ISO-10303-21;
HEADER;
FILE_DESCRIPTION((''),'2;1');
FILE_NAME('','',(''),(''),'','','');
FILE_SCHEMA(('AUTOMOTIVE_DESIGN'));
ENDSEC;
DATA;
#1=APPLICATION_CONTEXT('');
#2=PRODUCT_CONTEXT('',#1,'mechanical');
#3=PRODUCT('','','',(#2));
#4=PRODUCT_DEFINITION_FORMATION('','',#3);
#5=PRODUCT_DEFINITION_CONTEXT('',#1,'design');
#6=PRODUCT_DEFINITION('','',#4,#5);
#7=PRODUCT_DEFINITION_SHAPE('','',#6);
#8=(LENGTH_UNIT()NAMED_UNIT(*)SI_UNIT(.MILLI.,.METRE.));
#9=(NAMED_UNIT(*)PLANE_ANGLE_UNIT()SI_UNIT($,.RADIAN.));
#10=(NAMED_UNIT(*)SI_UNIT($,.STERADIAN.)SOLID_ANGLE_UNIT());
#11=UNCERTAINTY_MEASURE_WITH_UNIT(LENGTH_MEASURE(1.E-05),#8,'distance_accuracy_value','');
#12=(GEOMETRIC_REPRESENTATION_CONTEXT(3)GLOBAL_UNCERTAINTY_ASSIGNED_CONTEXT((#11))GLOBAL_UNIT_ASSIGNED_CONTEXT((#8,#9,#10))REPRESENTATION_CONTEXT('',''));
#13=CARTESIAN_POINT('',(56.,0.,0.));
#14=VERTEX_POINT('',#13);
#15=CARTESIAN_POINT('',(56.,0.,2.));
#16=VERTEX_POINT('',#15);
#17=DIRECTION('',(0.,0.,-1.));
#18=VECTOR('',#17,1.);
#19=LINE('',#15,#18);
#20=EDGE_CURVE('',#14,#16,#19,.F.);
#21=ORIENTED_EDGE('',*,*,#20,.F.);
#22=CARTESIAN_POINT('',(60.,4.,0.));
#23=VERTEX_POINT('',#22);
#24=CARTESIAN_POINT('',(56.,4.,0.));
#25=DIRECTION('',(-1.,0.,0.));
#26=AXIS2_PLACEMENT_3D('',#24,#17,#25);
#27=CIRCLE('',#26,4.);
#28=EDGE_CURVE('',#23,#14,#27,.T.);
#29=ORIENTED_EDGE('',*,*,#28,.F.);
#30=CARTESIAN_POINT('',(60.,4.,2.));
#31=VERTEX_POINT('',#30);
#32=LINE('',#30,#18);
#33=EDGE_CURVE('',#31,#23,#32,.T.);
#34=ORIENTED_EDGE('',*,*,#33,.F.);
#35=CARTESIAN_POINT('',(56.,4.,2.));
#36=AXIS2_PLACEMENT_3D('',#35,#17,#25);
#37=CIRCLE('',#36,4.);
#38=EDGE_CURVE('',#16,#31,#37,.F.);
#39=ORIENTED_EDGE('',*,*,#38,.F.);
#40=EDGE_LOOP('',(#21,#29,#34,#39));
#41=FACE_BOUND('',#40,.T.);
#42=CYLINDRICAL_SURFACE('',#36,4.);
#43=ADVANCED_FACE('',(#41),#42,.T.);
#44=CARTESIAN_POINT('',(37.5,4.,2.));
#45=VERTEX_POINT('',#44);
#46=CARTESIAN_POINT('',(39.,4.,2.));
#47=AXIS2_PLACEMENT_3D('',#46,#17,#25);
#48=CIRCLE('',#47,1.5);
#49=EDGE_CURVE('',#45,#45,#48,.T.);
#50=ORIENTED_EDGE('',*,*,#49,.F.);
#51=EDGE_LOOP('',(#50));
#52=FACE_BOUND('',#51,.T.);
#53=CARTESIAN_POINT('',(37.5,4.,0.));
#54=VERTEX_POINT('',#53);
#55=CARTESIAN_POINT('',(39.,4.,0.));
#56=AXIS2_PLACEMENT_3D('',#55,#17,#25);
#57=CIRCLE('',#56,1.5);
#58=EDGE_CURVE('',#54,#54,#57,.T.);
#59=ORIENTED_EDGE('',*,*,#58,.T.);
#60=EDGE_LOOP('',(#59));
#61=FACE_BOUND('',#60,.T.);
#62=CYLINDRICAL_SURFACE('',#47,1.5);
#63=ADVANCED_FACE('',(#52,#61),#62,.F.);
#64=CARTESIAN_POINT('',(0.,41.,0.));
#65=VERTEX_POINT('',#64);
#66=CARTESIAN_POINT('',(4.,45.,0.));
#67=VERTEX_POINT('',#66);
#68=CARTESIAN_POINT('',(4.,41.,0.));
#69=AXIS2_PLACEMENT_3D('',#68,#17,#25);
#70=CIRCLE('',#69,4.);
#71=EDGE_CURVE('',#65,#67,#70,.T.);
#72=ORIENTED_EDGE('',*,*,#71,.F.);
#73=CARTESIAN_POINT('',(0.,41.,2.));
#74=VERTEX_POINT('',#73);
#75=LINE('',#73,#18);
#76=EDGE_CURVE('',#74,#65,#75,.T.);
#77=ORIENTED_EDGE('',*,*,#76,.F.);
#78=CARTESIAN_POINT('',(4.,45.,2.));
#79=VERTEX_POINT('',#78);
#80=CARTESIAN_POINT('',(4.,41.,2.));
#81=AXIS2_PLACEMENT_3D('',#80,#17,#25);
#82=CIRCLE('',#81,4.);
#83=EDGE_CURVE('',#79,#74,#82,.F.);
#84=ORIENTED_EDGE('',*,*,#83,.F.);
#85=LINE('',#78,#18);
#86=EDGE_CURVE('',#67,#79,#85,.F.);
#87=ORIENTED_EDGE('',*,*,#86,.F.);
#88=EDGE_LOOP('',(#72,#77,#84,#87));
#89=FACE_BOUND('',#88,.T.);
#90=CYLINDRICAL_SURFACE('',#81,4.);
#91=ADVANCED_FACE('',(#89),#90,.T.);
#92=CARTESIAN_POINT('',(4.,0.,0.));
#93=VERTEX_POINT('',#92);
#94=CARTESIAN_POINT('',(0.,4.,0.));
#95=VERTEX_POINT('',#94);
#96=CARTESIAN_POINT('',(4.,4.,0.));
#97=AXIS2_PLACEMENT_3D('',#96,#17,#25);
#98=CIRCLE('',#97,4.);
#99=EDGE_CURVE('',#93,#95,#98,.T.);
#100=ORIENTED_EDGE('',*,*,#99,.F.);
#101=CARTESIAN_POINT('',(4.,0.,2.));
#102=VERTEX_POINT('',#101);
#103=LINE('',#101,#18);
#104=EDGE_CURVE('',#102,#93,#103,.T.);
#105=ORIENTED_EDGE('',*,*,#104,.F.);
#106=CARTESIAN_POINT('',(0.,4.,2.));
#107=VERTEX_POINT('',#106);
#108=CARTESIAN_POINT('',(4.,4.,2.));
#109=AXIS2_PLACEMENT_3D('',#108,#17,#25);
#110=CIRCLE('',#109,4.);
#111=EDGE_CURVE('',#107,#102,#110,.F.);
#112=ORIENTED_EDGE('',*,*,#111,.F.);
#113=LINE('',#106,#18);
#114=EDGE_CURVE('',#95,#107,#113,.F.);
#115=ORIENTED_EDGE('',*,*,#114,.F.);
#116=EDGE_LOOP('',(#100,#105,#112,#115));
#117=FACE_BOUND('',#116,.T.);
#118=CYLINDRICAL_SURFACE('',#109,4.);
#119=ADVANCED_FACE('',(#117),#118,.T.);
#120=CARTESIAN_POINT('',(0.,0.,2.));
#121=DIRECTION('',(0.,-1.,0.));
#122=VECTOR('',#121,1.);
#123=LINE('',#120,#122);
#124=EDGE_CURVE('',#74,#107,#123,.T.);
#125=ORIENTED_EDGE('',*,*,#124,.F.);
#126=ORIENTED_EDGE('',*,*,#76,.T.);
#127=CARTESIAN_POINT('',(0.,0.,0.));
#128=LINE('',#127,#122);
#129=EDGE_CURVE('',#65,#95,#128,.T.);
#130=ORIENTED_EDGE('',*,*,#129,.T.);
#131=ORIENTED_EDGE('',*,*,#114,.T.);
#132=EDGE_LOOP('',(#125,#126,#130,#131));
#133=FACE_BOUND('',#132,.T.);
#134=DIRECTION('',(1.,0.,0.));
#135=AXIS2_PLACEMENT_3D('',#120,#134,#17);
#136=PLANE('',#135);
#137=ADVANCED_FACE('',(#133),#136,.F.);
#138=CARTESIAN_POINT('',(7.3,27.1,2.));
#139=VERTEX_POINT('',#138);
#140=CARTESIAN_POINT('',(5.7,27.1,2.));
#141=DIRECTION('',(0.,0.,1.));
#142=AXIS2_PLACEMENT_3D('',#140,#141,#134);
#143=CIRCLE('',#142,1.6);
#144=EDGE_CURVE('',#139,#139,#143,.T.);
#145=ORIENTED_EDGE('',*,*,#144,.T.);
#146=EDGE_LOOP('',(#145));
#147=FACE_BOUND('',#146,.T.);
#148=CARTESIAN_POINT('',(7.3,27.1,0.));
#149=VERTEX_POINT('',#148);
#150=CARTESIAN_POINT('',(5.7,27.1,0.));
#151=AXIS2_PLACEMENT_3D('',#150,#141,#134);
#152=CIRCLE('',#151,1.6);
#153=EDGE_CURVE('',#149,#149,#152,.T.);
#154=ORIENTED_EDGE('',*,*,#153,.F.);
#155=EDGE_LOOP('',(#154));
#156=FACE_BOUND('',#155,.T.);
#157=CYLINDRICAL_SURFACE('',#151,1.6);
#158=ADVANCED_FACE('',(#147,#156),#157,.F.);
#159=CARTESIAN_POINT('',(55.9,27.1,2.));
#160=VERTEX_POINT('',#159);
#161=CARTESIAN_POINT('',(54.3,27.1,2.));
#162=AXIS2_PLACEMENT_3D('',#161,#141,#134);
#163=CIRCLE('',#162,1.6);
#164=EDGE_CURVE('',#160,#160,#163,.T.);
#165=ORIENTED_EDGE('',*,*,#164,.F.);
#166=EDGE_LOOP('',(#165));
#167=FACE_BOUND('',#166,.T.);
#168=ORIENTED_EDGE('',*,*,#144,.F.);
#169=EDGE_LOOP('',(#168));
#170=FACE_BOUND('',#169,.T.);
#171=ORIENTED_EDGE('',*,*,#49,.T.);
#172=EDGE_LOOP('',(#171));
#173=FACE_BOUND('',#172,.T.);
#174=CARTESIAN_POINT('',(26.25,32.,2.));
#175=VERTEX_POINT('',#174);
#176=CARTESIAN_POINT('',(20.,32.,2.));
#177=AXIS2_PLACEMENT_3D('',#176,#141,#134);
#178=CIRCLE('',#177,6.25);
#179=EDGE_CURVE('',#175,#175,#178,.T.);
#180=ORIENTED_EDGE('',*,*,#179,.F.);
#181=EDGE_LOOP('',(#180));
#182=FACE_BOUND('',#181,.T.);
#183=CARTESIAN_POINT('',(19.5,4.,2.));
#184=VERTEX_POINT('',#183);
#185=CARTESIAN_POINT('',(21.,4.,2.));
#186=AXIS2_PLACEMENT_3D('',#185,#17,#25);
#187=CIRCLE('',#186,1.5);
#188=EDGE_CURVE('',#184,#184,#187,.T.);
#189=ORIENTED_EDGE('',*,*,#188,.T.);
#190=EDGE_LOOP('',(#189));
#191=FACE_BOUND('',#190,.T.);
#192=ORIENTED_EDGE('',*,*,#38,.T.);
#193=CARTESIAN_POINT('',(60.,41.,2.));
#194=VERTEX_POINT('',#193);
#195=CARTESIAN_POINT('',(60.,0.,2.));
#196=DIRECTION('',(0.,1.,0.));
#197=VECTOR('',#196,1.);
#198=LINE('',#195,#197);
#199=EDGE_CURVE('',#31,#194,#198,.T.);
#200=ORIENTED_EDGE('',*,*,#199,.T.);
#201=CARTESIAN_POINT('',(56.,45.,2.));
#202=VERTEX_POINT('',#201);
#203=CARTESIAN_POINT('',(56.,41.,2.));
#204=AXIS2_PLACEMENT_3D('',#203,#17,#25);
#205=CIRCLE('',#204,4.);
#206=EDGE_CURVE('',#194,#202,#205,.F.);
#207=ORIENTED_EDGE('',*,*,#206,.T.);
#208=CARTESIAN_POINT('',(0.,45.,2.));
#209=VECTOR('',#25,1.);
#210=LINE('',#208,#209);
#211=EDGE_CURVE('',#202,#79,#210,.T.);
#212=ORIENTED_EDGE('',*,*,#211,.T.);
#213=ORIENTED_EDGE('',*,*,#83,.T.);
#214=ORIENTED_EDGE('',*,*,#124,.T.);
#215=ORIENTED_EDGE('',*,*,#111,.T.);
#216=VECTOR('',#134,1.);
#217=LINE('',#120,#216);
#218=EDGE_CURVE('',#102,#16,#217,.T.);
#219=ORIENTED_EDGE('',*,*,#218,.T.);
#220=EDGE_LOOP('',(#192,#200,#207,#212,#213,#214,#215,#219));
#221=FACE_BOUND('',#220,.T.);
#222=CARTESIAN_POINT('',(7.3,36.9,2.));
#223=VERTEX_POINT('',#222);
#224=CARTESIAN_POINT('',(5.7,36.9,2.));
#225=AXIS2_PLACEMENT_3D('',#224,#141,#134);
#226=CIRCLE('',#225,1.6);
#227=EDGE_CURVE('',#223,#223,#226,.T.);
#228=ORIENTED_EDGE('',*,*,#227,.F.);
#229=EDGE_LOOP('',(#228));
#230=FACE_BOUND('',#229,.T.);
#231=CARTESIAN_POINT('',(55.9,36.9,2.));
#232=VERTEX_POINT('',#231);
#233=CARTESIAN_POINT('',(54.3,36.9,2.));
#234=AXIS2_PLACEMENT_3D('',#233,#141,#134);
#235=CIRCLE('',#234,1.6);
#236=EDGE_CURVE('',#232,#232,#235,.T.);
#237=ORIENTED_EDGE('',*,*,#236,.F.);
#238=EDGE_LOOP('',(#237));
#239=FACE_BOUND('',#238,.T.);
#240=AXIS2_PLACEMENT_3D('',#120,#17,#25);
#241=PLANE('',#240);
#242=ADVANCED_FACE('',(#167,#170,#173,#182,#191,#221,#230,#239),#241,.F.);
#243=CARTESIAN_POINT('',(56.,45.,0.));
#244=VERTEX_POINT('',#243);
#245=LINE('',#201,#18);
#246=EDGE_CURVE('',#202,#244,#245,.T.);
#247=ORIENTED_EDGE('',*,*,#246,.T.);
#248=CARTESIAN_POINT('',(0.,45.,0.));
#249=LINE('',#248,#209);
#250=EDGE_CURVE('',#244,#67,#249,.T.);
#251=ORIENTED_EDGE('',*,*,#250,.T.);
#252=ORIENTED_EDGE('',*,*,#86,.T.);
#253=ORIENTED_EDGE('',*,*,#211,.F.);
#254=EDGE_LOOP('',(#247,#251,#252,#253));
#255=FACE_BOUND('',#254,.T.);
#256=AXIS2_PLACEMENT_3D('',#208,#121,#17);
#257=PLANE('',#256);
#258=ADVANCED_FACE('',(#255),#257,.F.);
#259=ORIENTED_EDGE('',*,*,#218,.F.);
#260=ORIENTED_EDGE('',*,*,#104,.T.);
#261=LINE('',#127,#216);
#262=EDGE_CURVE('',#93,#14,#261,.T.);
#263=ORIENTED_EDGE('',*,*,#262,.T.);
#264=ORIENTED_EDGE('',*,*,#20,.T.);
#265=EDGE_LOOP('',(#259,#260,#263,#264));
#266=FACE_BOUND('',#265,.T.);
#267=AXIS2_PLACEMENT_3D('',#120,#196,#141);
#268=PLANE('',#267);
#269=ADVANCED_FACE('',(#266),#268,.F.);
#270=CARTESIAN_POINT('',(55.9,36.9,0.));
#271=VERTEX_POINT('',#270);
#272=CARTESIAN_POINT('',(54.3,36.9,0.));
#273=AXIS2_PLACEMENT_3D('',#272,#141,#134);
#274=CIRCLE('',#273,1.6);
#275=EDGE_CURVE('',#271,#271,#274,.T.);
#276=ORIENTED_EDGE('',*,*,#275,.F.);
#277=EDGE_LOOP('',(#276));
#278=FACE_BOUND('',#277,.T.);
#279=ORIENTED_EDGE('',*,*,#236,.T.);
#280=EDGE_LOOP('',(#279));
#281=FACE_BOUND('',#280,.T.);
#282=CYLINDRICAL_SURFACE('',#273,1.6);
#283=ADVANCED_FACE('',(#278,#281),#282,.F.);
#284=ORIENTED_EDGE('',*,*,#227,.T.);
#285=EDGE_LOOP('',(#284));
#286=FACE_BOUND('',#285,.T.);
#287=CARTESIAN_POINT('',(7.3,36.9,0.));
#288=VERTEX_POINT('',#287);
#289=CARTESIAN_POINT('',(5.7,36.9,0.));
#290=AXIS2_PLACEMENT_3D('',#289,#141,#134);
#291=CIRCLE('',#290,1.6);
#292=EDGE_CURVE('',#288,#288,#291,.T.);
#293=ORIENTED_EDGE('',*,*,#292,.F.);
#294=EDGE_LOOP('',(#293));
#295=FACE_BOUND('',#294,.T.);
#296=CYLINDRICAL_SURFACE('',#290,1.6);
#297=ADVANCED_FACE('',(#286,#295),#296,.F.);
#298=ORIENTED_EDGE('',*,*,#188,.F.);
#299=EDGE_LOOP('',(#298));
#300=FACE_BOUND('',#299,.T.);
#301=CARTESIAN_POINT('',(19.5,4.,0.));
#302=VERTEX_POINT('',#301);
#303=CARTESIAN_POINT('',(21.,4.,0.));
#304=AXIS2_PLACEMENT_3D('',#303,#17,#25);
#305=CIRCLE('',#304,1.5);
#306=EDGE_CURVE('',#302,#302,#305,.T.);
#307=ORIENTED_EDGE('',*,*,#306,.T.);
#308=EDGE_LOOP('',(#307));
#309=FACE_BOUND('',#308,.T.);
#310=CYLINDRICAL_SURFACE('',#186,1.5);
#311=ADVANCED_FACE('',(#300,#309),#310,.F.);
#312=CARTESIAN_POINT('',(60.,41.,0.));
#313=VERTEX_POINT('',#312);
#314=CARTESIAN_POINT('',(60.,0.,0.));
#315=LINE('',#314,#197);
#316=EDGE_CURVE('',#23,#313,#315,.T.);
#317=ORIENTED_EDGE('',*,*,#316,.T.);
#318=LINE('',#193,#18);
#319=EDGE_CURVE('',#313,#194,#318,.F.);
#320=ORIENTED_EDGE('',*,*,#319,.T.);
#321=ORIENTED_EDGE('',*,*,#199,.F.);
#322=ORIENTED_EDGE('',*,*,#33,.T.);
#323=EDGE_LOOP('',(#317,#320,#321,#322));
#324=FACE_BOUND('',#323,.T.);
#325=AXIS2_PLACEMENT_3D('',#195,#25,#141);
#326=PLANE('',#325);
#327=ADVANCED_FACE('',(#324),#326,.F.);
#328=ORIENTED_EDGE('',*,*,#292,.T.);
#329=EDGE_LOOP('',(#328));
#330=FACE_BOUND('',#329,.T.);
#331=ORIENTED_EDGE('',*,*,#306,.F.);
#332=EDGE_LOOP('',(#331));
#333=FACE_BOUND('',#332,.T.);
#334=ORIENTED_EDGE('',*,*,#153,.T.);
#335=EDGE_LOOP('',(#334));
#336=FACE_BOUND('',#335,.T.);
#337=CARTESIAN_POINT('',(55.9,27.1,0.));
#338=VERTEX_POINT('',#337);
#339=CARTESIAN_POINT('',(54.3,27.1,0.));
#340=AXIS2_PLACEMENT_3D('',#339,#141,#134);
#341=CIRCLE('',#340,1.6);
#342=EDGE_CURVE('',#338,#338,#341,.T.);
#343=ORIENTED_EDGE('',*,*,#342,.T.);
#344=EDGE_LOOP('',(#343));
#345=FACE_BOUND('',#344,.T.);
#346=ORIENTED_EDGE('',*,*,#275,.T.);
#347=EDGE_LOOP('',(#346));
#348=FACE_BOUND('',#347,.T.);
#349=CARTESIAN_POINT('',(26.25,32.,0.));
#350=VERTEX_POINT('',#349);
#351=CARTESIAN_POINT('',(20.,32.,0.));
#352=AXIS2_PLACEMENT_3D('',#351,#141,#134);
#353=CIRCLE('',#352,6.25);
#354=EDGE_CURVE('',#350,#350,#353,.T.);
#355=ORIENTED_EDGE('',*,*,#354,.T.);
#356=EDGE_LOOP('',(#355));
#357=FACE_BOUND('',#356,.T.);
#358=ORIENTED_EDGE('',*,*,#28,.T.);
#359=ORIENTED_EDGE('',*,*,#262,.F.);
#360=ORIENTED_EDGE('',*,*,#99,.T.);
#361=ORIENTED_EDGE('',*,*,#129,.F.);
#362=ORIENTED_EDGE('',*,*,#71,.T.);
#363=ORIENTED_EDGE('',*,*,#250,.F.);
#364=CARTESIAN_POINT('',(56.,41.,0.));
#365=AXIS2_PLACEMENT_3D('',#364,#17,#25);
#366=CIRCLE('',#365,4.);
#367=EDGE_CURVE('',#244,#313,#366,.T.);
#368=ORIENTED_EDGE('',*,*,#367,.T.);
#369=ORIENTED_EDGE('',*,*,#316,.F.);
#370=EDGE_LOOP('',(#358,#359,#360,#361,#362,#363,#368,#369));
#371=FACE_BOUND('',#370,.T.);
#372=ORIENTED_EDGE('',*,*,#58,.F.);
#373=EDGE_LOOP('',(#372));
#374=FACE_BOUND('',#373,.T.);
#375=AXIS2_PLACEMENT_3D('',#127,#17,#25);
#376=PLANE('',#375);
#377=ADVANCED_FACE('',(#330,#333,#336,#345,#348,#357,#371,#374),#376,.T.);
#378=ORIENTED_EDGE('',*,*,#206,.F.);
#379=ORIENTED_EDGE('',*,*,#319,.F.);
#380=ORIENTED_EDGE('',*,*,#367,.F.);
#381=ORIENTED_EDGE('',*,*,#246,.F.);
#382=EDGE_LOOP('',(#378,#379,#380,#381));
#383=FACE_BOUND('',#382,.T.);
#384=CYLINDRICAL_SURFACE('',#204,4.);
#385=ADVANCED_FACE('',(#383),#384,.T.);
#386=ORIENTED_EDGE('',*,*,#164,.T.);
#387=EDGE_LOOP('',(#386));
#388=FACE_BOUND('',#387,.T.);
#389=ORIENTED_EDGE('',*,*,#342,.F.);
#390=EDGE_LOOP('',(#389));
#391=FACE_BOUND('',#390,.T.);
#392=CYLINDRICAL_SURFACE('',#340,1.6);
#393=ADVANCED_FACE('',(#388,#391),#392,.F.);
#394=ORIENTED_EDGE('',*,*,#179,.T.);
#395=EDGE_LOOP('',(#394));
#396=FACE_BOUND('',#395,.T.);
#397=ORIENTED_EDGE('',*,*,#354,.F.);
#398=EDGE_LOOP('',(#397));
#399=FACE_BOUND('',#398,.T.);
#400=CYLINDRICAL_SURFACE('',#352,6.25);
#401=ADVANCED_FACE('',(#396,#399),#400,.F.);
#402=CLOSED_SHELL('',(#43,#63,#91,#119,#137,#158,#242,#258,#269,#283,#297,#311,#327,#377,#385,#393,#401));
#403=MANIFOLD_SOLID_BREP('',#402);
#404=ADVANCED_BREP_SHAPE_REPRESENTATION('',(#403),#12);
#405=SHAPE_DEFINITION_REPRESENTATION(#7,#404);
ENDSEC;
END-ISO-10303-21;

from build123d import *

# Parameters (mm, degrees)
SKETCH_1_W          = 60
SKETCH_1_H          = 45
EXTRUDE_1_DEPTH     = 2
FILLET_1_R          = 4
SKETCH_2_R          = 1.5
CUT_EXTRUDE_1_DEPTH = 2
SKETCH_3_R          = 1.6
CUT_EXTRUDE_2_DEPTH = 2
SKETCH_4_R          = 6.25
CUT_EXTRUDE_3_DEPTH = 2


with BuildPart() as part:
    # 草图1 → 凸台-拉伸1 (new body)
    with BuildSketch(Plane.XY):
        with Locations((30, 22.5)):
            Rectangle(SKETCH_1_W, SKETCH_1_H)
    extrude(amount=EXTRUDE_1_DEPTH)

    # 圆角1
    fillet_1_edges = [part.edges().sort_by_distance(p)[0] for p in [
        (0, 45, 1),
        (60, 45, 1),
        (60, 0, 1),
        (0, 0, 1),
    ]]
    fillet(fillet_1_edges, radius=FILLET_1_R)

    # 草图2 → 切除-拉伸1 (cut)
    with BuildSketch(Plane(origin=(0, 0, 0), x_dir=(-1, 0, 0), z_dir=(0, 0, -1))):
        with Locations((-39, 4)):
            Circle(SKETCH_2_R)
        with Locations((-21, 4)):
            Circle(SKETCH_2_R)
    extrude(amount=-CUT_EXTRUDE_1_DEPTH, mode=Mode.SUBTRACT)

    # 草图3 → 切除-拉伸2 (cut)
    with BuildSketch(Plane.XY.offset(2)):
        with Locations((5.7, 36.9)):
            Circle(SKETCH_3_R)
        with Locations((5.7, 27.1)):
            Circle(SKETCH_3_R)
        with Locations((54.3, 36.9)):
            Circle(SKETCH_3_R)
        with Locations((54.3, 27.1)):
            Circle(SKETCH_3_R)
    extrude(amount=-CUT_EXTRUDE_2_DEPTH, mode=Mode.SUBTRACT)

    # 草图4 → 切除-拉伸3 (cut)
    with BuildSketch(Plane.XY.offset(2)):
        with Locations((20, 32)):
            Circle(SKETCH_4_R)
    extrude(amount=-CUT_EXTRUDE_3_DEPTH, mode=Mode.SUBTRACT)


solid = part.part
